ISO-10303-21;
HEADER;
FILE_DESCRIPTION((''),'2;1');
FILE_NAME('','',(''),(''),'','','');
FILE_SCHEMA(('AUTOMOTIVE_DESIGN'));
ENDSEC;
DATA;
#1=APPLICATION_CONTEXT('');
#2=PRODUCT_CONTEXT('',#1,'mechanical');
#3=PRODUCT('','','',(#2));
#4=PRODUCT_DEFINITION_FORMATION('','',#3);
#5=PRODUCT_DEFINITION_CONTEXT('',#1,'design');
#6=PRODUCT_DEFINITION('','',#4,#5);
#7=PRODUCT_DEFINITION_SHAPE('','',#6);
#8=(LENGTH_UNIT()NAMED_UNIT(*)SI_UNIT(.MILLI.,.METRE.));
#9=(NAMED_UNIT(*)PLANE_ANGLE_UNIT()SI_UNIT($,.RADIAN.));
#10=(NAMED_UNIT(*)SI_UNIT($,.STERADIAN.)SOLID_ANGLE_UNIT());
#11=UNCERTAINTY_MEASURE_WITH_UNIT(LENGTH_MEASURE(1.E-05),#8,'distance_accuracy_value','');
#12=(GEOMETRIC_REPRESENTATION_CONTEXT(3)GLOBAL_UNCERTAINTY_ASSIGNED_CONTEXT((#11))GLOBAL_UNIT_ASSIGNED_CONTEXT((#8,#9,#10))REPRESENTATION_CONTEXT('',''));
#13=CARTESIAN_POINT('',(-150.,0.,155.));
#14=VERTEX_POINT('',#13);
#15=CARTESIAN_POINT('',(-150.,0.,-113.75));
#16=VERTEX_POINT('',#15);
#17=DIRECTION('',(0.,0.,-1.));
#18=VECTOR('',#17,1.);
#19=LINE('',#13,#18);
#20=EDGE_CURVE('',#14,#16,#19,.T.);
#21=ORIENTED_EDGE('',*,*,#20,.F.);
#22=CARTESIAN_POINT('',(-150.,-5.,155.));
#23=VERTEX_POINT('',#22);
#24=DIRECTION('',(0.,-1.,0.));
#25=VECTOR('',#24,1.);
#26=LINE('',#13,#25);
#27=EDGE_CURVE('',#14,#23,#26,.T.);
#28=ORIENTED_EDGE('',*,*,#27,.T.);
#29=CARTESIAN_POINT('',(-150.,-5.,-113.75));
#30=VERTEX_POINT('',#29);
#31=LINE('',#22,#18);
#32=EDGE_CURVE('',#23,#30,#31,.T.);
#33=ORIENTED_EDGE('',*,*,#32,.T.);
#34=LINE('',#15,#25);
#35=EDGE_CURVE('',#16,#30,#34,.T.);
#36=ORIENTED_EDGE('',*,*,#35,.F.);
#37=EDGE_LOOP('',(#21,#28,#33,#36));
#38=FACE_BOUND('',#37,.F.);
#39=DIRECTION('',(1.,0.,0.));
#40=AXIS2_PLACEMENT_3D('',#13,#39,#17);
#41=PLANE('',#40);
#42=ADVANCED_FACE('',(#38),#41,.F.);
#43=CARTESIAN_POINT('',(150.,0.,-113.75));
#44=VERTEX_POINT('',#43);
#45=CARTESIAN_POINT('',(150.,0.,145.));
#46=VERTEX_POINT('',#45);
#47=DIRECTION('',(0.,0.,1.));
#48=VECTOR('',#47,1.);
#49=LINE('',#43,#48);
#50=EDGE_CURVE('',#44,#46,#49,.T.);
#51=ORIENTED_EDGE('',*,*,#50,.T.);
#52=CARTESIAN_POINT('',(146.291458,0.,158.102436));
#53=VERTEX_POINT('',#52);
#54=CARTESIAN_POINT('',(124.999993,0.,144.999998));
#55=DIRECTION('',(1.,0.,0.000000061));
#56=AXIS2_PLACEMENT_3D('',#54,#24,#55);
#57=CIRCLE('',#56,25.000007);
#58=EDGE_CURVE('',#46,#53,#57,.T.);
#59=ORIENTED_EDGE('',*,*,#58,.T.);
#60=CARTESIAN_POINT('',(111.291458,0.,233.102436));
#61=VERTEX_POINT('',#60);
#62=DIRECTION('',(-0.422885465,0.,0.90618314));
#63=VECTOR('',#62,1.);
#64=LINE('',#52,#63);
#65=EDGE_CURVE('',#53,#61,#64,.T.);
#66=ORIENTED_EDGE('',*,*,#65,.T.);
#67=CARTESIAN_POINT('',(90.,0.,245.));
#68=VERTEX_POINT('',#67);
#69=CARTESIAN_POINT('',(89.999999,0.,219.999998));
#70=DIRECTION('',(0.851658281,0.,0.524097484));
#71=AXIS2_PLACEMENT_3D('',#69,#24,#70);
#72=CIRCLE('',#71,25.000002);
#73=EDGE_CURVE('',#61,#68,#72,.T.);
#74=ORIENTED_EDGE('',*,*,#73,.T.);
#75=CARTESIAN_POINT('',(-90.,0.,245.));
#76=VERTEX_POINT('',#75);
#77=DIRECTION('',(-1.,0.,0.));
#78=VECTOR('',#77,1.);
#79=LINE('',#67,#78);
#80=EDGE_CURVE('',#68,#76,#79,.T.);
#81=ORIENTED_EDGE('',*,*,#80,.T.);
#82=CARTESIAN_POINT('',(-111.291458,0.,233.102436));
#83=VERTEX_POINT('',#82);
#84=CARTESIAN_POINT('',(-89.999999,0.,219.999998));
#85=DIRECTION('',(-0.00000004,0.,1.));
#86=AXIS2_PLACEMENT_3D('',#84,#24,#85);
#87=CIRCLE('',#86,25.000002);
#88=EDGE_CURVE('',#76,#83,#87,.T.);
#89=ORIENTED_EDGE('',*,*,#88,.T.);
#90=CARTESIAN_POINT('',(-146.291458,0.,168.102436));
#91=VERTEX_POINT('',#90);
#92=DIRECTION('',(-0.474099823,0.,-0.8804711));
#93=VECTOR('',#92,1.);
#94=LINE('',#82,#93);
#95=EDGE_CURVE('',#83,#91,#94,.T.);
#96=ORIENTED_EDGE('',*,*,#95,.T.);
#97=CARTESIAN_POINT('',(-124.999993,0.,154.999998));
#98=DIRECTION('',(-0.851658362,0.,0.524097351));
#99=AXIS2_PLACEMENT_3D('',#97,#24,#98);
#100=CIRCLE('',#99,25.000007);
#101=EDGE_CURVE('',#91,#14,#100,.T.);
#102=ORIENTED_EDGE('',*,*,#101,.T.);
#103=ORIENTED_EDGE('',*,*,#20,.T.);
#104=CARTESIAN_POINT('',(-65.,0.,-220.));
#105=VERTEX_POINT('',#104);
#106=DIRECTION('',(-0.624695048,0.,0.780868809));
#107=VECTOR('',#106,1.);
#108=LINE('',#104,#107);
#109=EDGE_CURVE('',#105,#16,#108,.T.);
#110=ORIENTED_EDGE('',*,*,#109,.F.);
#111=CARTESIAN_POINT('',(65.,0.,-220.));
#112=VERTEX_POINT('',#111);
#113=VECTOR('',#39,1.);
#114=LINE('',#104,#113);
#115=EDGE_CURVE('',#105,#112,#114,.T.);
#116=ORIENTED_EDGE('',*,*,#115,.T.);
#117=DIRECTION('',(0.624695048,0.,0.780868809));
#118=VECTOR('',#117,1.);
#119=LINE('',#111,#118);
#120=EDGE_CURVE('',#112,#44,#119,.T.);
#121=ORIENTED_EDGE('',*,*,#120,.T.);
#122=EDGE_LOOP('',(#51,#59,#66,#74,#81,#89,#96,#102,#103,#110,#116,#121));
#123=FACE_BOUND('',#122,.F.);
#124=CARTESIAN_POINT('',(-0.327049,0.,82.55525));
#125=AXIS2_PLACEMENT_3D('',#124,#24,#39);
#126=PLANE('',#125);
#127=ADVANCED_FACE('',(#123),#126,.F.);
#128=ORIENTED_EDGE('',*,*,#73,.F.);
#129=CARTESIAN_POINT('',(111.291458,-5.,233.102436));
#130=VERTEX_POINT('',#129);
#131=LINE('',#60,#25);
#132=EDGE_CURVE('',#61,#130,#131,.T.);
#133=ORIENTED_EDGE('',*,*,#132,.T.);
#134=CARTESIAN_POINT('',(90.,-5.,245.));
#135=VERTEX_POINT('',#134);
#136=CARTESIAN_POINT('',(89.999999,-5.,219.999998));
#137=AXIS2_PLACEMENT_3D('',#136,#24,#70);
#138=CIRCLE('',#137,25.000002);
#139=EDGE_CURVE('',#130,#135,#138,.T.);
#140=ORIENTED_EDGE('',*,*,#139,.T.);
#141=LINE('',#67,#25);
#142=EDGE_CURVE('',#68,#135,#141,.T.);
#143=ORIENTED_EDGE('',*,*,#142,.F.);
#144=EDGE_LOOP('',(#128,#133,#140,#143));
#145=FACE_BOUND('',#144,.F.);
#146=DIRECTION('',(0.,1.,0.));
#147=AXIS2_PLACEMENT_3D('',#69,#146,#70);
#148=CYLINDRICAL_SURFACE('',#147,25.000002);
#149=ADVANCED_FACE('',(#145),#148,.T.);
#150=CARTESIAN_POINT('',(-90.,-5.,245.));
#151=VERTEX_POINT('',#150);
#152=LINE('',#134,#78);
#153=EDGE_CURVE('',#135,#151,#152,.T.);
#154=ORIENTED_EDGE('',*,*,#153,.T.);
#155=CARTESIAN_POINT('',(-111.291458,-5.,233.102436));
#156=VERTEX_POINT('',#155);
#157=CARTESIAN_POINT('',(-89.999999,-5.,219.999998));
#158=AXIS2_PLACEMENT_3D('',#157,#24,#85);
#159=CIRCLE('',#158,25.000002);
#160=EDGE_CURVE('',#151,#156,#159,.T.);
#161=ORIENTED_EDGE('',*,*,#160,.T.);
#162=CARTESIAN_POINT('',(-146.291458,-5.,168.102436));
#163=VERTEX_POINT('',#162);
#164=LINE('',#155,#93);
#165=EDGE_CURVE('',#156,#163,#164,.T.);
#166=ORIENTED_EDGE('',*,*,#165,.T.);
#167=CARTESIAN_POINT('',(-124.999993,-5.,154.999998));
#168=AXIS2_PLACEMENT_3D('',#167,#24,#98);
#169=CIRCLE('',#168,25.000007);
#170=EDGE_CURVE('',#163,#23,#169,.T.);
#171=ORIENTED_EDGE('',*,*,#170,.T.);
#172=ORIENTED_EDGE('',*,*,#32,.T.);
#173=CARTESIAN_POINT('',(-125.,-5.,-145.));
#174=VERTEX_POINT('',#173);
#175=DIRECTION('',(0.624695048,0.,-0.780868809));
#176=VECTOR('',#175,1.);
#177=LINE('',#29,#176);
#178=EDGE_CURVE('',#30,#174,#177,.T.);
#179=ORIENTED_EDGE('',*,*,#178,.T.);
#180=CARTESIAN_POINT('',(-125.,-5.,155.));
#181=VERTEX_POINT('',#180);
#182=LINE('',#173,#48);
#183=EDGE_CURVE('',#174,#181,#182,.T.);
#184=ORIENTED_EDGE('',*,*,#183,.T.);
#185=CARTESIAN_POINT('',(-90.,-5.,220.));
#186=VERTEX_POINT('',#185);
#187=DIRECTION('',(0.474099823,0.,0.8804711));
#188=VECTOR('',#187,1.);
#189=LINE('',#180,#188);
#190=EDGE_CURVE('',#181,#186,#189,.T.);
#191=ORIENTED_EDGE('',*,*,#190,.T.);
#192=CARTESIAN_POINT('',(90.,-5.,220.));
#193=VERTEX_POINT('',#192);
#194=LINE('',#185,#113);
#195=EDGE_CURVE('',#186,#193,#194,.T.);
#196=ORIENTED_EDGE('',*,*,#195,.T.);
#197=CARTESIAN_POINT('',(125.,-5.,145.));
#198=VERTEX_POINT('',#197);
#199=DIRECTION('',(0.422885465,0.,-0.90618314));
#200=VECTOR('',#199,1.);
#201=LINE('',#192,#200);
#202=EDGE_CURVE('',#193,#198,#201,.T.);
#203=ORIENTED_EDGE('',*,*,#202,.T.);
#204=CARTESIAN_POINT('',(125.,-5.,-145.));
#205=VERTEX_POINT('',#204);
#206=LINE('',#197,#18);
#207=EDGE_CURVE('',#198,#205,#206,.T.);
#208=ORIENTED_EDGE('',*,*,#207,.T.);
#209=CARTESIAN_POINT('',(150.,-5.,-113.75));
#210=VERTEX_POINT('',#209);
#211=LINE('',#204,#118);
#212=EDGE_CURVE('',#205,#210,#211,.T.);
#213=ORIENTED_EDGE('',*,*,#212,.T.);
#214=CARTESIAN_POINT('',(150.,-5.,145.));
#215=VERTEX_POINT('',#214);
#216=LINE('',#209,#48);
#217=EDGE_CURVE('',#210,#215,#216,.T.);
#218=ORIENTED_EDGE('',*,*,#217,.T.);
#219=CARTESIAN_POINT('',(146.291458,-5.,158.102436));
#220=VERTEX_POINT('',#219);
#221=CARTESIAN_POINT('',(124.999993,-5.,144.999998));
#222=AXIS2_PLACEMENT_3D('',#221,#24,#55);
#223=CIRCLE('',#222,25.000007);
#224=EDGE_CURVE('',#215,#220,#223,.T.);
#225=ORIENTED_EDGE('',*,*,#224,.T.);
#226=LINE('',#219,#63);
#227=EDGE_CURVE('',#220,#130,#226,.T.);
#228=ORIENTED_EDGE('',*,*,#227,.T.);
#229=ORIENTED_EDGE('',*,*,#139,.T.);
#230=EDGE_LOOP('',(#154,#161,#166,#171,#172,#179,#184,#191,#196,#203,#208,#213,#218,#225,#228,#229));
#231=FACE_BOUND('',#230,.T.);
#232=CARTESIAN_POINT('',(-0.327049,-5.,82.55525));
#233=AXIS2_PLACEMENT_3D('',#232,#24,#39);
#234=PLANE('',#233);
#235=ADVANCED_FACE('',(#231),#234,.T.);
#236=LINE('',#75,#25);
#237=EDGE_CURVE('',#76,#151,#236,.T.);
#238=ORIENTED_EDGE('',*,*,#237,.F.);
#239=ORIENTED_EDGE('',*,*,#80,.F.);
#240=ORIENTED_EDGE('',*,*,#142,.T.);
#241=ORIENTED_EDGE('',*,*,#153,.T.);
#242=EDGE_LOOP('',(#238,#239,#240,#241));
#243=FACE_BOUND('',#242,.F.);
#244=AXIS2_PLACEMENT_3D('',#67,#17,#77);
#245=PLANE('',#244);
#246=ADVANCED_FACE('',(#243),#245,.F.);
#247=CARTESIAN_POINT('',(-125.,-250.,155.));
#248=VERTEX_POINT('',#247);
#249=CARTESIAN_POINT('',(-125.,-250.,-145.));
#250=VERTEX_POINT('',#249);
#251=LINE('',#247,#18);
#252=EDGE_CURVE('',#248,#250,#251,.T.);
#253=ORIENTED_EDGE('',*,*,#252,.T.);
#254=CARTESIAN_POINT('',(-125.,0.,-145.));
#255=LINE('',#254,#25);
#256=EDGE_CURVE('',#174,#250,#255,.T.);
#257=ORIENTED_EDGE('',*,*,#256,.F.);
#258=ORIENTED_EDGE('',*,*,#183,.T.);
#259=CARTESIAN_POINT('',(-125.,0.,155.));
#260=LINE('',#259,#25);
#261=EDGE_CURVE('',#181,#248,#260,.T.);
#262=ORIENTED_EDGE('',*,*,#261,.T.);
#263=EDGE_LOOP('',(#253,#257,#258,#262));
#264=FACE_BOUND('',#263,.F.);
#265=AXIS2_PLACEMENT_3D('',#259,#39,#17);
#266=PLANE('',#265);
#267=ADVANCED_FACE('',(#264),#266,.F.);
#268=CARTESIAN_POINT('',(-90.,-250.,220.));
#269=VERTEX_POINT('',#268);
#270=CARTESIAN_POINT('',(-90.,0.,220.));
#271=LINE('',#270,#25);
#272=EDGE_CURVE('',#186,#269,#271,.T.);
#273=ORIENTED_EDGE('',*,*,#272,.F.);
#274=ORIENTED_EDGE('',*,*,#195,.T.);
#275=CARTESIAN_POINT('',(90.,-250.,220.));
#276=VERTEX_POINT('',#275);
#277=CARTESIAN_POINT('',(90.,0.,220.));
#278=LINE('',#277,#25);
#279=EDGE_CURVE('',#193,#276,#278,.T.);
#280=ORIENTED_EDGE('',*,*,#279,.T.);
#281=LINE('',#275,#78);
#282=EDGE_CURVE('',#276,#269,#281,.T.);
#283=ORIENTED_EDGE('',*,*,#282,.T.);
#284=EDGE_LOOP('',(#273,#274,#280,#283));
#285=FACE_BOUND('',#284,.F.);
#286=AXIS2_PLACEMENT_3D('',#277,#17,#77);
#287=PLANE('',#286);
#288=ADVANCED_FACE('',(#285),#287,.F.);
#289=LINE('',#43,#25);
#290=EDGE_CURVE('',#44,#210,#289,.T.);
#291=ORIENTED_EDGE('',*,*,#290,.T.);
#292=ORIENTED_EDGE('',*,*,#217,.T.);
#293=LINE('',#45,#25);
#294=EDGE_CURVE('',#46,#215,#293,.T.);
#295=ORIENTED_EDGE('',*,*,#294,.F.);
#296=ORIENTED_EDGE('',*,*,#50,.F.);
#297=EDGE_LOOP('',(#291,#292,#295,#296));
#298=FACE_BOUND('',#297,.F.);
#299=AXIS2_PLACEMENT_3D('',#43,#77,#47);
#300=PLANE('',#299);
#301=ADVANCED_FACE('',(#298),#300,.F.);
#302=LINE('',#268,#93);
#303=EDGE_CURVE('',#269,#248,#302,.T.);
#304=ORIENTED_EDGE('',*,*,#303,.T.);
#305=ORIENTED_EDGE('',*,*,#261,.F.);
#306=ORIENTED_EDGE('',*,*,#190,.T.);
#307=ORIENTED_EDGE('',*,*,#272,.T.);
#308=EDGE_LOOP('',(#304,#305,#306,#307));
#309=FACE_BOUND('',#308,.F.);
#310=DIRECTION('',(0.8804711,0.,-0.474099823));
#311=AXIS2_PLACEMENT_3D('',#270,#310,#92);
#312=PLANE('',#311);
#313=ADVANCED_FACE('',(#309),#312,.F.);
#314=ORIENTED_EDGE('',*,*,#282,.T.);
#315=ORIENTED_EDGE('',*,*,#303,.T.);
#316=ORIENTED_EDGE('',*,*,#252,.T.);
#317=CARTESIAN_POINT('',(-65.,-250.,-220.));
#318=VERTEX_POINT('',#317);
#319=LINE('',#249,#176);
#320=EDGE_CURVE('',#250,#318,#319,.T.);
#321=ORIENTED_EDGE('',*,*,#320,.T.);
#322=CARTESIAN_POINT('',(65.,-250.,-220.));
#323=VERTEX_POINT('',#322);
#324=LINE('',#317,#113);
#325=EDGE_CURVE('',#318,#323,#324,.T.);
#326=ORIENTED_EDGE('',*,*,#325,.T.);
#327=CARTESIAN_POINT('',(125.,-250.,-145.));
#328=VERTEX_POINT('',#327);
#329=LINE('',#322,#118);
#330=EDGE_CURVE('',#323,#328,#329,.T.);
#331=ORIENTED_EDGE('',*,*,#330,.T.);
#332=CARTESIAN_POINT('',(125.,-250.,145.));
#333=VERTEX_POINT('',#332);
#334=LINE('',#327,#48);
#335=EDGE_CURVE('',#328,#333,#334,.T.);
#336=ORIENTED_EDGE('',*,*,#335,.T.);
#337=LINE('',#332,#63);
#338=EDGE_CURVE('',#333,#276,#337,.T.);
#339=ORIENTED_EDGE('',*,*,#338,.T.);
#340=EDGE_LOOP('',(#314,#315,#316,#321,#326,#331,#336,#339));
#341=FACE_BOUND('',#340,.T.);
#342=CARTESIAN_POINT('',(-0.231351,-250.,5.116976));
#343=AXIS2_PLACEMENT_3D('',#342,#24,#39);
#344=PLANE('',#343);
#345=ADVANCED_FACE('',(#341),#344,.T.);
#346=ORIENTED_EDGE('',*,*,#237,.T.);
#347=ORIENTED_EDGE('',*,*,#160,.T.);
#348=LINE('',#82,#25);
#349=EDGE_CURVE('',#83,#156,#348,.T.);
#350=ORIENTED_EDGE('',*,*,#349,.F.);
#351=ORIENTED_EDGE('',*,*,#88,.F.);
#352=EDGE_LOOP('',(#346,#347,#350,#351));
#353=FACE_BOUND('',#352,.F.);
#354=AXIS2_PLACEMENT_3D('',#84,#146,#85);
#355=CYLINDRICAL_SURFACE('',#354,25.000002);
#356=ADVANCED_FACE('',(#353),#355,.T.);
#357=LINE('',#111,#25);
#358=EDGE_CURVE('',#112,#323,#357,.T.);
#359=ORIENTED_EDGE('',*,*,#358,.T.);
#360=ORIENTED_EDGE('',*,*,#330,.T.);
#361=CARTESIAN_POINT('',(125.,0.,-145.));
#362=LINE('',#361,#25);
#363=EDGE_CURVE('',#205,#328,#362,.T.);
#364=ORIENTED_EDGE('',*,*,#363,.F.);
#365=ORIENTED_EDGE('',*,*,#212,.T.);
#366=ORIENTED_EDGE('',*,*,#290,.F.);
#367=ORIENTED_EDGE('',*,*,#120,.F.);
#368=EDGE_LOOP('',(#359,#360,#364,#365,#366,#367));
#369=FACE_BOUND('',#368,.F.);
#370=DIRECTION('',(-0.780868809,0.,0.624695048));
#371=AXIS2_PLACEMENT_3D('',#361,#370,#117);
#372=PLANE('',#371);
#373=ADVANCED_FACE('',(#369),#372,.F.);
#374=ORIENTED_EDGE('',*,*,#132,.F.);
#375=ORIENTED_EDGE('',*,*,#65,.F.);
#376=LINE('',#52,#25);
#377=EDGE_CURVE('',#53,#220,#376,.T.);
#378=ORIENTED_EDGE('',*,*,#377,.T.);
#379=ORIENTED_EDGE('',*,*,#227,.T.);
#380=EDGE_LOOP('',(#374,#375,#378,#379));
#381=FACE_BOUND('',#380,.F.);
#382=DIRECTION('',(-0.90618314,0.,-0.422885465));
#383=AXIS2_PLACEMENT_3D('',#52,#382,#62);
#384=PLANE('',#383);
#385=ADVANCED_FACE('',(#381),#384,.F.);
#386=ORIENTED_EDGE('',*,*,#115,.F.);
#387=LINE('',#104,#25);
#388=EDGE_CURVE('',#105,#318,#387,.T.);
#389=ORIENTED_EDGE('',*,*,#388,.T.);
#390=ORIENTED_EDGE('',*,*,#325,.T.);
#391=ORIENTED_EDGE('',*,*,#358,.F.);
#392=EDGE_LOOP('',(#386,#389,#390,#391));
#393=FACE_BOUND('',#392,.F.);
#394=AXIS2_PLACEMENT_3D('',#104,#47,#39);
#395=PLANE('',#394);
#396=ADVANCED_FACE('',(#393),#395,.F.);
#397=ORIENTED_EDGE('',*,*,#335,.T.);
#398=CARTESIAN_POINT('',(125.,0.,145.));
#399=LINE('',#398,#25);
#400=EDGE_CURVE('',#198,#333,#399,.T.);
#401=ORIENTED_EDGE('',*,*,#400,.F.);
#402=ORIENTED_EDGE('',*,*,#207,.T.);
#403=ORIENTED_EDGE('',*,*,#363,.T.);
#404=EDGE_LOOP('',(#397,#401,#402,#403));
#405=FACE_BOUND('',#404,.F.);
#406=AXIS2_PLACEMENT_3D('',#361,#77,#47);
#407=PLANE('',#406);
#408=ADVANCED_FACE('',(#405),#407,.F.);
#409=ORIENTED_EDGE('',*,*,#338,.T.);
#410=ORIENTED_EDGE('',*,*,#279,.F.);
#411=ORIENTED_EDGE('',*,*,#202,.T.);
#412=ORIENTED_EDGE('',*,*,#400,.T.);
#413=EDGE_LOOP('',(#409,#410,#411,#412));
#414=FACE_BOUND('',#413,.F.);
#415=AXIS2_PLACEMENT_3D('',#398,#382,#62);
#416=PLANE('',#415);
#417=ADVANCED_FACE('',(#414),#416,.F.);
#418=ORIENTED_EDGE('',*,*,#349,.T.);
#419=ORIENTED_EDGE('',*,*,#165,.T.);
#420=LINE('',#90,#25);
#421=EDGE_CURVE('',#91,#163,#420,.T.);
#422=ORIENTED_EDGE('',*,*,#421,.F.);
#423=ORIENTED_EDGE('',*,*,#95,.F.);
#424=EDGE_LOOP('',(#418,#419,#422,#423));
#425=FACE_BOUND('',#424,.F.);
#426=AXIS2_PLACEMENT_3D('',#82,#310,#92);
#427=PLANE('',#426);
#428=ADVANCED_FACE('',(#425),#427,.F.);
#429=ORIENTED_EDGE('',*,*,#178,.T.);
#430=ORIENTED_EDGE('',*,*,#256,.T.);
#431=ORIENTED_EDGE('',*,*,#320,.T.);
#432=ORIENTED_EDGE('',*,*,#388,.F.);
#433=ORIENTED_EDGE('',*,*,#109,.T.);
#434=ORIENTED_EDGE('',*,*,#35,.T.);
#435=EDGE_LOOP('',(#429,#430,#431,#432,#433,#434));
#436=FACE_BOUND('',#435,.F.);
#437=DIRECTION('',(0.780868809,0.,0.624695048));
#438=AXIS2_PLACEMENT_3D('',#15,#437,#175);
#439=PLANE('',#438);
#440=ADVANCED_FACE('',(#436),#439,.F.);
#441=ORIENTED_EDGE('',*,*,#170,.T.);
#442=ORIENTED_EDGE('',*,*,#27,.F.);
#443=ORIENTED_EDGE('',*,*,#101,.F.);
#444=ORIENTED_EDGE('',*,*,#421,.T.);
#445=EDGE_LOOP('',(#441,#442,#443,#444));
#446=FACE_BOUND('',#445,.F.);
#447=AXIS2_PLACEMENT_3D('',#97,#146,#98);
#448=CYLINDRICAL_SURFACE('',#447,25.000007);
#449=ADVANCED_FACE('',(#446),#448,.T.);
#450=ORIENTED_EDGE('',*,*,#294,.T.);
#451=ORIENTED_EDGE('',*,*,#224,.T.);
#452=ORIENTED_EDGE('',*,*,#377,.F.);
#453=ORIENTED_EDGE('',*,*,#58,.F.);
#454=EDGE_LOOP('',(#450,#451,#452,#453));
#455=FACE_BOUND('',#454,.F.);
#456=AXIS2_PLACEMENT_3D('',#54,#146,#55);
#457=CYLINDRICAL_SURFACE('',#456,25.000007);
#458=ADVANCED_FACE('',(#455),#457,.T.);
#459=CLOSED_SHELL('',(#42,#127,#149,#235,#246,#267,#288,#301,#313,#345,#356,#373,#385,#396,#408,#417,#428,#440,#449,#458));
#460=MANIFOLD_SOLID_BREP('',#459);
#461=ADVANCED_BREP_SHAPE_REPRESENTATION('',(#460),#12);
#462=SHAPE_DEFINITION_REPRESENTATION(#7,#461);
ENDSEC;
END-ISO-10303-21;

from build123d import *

# Parameters (mm, degrees)
F1_DEPTH = 250
F2_DEPTH = 5


with BuildPart() as f1:
    # F0 (on Front) → F1 (new body)
    with BuildSketch(Plane.XZ):
        Polygon((-90, 220), (-125, 155), (-125, -145), (-65, -220), (65, -220), (125, -145), (125, 145), (90, 220), align=None)
    extrude(amount=F1_DEPTH)

    # F0 (on Front) → F2 (join)
    with BuildSketch(Plane.XZ):
        with BuildLine():
            Line((-125, -145), (-125, 155))
            Line((-125, 155), (-90, 220))
            Line((-90, 220), (90, 220))
            Line((90, 220), (125, 145))
            Line((125, 145), (125, -145))
            Line((125, -145), (150, -113.75))
            Line((150, -113.75), (150, 145))
            ThreePointArc((150, 145), (149.055004, 151.808581), (146.291458, 158.102436))
            Line((146.291458, 158.102436), (111.291458, 233.102436))
            ThreePointArc((111.291458, 233.102436), (102.195063, 241.82385), (90, 245))
            Line((90, 245), (-90, 245))
            ThreePointArc((-90, 245), (-102.195063, 241.82385), (-111.291458, 233.102436))
            Line((-111.291458, 233.102436), (-146.291458, 168.102436))
            ThreePointArc((-146.291458, 168.102436), (-149.055004, 161.808581), (-150, 155))
            Line((-150, 155), (-150, -113.75))
            Line((-150, -113.75), (-125, -145))
        make_face()
    extrude(amount=F2_DEPTH)


solid = f1.part
